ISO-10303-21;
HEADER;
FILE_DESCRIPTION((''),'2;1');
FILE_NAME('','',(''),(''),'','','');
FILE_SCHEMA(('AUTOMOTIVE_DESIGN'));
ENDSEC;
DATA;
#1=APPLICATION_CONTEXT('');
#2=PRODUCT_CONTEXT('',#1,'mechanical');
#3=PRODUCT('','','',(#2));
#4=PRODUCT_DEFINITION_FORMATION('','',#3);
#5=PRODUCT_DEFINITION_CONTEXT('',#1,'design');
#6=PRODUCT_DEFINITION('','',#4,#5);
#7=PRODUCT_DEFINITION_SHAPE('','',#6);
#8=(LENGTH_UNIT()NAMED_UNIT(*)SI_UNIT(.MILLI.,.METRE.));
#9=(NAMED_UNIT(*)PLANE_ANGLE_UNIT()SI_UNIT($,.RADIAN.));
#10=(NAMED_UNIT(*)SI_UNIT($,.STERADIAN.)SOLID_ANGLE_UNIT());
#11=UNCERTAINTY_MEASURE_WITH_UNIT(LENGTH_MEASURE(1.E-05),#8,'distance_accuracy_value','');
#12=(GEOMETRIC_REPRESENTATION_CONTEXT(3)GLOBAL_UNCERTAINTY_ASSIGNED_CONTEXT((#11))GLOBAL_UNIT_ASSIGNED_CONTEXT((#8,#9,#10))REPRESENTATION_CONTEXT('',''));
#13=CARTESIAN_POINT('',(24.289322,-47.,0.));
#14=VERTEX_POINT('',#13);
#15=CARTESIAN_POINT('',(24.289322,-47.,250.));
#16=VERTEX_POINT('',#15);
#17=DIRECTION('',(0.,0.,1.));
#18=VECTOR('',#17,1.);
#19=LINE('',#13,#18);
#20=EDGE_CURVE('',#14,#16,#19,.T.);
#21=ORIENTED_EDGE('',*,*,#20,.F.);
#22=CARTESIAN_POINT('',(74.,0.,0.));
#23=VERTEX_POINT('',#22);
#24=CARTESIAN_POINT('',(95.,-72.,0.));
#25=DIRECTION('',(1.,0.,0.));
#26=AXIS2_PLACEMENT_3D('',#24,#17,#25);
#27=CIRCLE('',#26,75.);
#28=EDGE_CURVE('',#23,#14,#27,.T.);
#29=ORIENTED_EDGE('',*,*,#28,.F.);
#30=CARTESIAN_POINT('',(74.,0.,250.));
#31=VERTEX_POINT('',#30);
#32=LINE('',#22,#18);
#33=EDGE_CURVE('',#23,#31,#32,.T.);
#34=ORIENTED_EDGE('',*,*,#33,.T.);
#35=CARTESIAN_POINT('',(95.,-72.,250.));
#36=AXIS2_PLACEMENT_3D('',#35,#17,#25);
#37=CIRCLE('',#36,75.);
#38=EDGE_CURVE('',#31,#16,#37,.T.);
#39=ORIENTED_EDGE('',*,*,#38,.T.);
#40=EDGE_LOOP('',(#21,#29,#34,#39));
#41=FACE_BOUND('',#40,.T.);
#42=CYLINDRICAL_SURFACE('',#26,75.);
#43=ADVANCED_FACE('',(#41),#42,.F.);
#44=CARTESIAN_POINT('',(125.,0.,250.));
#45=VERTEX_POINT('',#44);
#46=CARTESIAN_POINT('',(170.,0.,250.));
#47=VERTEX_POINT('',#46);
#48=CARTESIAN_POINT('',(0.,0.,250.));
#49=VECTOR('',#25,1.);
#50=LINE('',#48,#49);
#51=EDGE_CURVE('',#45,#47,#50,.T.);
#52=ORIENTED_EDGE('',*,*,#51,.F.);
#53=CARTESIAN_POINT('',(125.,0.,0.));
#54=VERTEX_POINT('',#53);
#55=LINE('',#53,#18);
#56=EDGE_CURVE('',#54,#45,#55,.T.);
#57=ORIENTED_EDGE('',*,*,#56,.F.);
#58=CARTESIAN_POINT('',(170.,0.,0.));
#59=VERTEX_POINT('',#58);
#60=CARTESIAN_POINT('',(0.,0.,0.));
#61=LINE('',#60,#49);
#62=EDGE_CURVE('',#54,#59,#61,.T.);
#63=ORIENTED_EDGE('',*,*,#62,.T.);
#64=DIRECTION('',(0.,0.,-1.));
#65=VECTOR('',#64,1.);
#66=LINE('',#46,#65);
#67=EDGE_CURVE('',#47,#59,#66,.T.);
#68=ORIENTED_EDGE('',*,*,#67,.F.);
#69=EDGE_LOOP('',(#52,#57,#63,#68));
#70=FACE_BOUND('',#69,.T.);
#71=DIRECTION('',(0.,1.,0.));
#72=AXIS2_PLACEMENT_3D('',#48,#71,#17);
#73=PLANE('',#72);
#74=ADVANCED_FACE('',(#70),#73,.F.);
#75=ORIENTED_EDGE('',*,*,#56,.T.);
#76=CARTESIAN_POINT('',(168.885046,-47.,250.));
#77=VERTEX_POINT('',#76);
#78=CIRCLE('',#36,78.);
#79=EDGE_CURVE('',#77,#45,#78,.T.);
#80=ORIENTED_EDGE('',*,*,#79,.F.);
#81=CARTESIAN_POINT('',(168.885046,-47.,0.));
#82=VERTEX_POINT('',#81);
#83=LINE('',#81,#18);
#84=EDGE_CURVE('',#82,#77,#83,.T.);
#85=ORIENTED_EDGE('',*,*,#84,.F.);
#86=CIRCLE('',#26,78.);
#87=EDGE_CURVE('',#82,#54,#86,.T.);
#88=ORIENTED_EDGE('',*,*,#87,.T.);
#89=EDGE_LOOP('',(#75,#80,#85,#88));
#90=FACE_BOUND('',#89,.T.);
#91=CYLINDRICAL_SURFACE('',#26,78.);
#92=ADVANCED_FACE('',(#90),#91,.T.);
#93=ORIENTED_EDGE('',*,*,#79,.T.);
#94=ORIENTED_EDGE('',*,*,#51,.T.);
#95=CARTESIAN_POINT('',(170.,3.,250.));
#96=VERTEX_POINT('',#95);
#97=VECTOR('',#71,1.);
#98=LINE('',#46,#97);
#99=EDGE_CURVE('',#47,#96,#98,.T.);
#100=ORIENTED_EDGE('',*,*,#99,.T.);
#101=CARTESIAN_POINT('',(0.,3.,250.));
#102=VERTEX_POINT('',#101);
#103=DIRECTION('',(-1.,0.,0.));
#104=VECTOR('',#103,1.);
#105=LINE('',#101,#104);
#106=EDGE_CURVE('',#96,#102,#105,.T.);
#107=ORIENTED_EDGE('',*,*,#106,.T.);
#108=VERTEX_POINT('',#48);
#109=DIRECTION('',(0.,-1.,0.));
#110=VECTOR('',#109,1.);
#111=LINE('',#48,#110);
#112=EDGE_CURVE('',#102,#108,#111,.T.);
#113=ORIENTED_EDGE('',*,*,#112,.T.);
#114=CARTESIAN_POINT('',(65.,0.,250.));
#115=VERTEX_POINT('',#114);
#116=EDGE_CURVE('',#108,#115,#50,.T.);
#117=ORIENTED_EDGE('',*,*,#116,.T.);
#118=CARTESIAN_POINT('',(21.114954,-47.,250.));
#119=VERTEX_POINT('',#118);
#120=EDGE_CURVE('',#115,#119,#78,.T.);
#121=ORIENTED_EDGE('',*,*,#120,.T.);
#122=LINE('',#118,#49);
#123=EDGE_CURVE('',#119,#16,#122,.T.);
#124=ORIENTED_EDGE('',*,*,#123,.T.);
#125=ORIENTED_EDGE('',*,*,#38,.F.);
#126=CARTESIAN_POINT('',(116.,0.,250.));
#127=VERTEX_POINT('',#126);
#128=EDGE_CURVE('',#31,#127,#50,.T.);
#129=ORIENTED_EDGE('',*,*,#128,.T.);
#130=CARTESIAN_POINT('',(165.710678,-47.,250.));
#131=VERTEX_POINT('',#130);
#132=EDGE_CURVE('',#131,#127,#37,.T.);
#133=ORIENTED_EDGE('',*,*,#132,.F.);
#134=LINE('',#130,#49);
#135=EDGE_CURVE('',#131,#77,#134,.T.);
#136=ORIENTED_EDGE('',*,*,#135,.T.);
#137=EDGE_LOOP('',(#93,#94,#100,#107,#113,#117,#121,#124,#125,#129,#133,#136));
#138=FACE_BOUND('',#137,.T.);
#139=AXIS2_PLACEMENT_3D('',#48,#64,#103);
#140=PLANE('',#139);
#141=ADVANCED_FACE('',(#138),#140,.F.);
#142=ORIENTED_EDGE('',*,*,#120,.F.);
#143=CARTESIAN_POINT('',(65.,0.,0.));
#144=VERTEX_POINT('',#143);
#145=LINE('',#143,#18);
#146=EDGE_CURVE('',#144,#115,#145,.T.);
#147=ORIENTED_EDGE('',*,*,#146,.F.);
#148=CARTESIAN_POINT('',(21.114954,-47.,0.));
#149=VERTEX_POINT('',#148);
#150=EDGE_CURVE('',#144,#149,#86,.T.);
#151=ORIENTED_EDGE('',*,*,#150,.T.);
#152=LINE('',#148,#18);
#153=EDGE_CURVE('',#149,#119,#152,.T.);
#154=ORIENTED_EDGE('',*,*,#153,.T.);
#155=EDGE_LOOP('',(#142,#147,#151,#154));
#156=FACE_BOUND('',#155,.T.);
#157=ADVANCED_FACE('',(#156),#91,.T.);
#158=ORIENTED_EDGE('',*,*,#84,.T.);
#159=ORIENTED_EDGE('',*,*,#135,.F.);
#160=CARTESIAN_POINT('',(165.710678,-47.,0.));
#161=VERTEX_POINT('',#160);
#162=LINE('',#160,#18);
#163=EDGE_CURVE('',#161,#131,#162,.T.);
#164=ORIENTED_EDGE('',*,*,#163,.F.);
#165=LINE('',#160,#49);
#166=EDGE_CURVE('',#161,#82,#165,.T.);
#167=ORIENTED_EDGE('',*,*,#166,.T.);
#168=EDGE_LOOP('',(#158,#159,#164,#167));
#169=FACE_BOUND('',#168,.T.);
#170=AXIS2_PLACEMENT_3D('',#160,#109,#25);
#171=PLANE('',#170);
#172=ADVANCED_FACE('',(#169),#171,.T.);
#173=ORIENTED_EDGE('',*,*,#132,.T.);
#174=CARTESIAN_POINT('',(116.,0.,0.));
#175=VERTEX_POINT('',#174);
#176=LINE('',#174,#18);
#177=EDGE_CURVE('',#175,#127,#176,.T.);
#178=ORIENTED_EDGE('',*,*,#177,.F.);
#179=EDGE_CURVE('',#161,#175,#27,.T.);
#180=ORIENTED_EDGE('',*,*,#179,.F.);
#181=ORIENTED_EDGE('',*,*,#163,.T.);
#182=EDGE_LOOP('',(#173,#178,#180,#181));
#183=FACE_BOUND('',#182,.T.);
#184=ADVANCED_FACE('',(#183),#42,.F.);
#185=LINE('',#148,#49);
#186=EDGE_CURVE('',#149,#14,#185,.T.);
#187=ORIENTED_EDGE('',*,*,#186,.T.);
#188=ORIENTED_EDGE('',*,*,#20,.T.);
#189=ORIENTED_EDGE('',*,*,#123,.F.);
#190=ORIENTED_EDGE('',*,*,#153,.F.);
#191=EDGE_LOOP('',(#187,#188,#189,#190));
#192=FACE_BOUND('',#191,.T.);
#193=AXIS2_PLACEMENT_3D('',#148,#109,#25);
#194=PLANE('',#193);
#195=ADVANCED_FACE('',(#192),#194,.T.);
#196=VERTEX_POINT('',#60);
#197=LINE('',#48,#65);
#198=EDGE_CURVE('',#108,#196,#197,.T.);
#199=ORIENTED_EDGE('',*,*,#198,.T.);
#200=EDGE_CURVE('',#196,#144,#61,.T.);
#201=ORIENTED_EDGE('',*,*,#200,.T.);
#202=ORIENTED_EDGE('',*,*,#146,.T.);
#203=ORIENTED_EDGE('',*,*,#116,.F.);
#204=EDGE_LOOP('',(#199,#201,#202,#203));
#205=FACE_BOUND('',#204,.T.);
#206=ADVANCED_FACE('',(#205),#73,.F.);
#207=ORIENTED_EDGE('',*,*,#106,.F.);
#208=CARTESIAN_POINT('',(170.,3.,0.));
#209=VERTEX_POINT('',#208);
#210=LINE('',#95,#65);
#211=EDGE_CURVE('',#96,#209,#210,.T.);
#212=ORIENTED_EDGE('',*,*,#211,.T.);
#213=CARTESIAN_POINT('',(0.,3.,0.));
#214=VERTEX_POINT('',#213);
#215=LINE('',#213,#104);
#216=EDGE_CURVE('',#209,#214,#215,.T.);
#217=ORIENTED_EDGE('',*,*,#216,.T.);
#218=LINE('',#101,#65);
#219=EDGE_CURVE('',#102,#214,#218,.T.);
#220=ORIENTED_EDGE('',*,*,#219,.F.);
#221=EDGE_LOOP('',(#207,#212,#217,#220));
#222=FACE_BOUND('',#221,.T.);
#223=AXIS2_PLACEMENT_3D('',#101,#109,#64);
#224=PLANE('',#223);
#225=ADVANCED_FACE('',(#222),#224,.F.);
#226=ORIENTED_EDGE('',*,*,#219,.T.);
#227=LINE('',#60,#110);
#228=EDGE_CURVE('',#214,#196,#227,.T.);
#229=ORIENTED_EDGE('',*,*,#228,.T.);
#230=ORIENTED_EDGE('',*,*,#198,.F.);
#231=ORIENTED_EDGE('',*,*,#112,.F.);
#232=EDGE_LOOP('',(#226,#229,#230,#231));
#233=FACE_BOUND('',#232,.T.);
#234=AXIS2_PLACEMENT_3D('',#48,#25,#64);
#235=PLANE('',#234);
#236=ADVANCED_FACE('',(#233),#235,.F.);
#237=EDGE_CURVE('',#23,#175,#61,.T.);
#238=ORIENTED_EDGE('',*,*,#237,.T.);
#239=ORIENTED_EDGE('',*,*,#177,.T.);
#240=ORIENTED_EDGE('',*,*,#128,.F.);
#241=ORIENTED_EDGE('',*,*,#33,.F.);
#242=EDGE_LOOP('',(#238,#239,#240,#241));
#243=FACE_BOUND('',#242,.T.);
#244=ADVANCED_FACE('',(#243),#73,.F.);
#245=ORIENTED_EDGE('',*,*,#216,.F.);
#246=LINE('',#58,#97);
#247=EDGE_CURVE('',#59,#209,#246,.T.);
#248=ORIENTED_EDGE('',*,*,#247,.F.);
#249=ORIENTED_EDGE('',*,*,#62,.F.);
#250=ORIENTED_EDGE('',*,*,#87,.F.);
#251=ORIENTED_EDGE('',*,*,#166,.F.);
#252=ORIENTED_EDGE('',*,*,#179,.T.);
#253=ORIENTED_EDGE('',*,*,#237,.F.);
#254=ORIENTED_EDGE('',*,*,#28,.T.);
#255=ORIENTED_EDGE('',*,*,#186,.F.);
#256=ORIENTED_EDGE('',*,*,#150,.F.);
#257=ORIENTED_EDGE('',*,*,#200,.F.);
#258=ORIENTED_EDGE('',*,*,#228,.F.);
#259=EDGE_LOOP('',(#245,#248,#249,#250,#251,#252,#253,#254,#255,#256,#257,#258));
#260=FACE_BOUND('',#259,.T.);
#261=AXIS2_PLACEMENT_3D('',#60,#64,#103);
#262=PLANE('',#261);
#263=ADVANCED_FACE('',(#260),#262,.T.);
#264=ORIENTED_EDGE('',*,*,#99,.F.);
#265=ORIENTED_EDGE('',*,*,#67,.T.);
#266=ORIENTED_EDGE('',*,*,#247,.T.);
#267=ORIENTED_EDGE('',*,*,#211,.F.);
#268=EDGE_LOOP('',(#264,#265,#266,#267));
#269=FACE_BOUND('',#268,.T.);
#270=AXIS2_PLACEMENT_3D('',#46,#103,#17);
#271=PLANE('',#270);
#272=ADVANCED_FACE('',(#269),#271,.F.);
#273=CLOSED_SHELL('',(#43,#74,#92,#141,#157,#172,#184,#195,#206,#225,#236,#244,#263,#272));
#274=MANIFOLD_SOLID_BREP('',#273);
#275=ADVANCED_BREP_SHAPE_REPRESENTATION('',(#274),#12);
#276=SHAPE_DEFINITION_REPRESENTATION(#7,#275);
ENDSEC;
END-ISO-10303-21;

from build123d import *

# Parameters (mm, degrees)
ESQUISSE1_W        = 170
ESQUISSE1_H        = 3
BOSS_EXTRU_1_DEPTH = 250
BOSS_EXTRU_2_DEPTH = 250


with BuildPart() as part:
    # Esquisse1 → Boss.-Extru.1 (new body)
    with BuildSketch(Plane.XY):
        with Locations((85, 1.5)):
            Rectangle(ESQUISSE1_W, ESQUISSE1_H)
    extrude(amount=BOSS_EXTRU_1_DEPTH)

    # Esquisse3 → Boss.-Extru.2 (add)
    with BuildSketch(Plane.XY.offset(250)):
        with BuildLine():
            Line((21.114954152, -47), (24.289321881, -47))
            ThreePointArc((24.289321881, -47), (43.473675463, -17.501946092), (74, 0))
            Line((74, 0), (65, 0))
            ThreePointArc((65, 0), (37.988810855, -18.767262777), (21.114954152, -47))
        make_face()
        with BuildLine():
            Line((165.710678119, -47), (168.885045848, -47))
            ThreePointArc((168.885045848, -47), (152.011189145, -18.767262777), (125, 0))
            Line((125, 0), (116, 0))
            ThreePointArc((116, 0), (146.526324537, -17.501946092), (165.710678119, -47))
        make_face()
    extrude(amount=-BOSS_EXTRU_2_DEPTH)


solid = part.part
